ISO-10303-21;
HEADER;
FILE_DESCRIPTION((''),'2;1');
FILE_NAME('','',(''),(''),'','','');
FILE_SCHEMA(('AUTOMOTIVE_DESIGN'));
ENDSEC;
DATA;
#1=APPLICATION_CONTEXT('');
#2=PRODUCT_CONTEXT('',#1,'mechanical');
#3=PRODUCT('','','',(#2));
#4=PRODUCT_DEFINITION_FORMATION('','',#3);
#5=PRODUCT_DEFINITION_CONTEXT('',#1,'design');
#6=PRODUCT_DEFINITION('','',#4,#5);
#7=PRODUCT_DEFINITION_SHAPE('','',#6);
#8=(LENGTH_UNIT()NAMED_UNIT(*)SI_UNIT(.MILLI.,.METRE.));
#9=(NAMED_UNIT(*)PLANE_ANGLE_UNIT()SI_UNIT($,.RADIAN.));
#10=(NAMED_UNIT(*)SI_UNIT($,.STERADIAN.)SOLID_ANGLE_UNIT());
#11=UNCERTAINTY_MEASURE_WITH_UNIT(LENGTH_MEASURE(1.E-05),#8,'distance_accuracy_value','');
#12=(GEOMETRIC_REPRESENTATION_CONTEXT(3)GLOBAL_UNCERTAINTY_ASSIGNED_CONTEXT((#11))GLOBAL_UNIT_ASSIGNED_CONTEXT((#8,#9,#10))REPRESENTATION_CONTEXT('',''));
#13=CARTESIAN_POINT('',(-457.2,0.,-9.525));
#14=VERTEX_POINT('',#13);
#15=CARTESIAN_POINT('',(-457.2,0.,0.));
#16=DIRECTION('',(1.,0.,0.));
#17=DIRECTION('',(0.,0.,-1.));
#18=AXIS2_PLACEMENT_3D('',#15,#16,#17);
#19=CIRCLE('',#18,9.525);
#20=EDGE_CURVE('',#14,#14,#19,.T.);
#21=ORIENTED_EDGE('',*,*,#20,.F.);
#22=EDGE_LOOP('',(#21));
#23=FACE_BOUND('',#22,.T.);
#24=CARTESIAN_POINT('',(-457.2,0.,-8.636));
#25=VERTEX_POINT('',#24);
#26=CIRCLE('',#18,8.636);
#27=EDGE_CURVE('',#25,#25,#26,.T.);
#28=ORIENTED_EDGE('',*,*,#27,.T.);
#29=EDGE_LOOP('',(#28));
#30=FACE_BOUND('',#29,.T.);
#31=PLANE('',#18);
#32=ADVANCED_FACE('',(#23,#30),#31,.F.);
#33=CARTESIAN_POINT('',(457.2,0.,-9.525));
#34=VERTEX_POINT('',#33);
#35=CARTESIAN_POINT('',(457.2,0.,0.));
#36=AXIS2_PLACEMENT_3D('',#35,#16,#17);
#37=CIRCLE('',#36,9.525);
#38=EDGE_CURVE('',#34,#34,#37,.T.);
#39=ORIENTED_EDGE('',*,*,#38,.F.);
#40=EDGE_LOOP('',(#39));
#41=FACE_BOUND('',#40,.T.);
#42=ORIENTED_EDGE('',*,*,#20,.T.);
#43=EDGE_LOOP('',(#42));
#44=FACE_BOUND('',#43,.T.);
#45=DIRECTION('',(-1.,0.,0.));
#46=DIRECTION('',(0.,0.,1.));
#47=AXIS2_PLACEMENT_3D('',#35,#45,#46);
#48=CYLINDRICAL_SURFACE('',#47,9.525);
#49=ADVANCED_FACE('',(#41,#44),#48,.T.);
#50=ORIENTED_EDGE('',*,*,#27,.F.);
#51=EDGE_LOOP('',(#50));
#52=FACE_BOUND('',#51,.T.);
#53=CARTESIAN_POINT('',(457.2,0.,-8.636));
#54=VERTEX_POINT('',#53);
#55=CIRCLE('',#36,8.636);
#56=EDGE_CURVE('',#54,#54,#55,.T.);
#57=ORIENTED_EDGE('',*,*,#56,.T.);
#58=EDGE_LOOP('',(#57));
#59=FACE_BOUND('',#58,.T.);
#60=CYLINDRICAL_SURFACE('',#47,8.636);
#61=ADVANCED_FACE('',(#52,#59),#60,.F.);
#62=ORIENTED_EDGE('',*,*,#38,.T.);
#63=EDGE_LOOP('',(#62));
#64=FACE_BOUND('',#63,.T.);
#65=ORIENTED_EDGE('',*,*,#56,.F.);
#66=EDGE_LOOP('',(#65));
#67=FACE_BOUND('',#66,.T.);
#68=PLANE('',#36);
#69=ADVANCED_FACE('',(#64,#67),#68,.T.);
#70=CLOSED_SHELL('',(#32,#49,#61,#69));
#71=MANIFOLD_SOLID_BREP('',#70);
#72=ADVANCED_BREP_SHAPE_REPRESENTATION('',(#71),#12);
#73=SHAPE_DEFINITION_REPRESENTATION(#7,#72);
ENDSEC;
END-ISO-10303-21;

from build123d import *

# Parameters (mm, degrees)
SKETCH4_R           = 9.525
SKETCH4_R_2         = 8.636
BOSS_EXTRUDE1_DEPTH = 457.2


with BuildPart() as part:
    # Sketch4 → Boss-Extrude1 (new body, symmetric)
    with BuildSketch(Plane(origin=(0, 0, 0), x_dir=(0, 0, -1), z_dir=(1, 0, 0))):
        Circle(SKETCH4_R)
        Circle(SKETCH4_R_2, mode=Mode.SUBTRACT)
    extrude(amount=BOSS_EXTRUDE1_DEPTH, both=True)


solid = part.part
